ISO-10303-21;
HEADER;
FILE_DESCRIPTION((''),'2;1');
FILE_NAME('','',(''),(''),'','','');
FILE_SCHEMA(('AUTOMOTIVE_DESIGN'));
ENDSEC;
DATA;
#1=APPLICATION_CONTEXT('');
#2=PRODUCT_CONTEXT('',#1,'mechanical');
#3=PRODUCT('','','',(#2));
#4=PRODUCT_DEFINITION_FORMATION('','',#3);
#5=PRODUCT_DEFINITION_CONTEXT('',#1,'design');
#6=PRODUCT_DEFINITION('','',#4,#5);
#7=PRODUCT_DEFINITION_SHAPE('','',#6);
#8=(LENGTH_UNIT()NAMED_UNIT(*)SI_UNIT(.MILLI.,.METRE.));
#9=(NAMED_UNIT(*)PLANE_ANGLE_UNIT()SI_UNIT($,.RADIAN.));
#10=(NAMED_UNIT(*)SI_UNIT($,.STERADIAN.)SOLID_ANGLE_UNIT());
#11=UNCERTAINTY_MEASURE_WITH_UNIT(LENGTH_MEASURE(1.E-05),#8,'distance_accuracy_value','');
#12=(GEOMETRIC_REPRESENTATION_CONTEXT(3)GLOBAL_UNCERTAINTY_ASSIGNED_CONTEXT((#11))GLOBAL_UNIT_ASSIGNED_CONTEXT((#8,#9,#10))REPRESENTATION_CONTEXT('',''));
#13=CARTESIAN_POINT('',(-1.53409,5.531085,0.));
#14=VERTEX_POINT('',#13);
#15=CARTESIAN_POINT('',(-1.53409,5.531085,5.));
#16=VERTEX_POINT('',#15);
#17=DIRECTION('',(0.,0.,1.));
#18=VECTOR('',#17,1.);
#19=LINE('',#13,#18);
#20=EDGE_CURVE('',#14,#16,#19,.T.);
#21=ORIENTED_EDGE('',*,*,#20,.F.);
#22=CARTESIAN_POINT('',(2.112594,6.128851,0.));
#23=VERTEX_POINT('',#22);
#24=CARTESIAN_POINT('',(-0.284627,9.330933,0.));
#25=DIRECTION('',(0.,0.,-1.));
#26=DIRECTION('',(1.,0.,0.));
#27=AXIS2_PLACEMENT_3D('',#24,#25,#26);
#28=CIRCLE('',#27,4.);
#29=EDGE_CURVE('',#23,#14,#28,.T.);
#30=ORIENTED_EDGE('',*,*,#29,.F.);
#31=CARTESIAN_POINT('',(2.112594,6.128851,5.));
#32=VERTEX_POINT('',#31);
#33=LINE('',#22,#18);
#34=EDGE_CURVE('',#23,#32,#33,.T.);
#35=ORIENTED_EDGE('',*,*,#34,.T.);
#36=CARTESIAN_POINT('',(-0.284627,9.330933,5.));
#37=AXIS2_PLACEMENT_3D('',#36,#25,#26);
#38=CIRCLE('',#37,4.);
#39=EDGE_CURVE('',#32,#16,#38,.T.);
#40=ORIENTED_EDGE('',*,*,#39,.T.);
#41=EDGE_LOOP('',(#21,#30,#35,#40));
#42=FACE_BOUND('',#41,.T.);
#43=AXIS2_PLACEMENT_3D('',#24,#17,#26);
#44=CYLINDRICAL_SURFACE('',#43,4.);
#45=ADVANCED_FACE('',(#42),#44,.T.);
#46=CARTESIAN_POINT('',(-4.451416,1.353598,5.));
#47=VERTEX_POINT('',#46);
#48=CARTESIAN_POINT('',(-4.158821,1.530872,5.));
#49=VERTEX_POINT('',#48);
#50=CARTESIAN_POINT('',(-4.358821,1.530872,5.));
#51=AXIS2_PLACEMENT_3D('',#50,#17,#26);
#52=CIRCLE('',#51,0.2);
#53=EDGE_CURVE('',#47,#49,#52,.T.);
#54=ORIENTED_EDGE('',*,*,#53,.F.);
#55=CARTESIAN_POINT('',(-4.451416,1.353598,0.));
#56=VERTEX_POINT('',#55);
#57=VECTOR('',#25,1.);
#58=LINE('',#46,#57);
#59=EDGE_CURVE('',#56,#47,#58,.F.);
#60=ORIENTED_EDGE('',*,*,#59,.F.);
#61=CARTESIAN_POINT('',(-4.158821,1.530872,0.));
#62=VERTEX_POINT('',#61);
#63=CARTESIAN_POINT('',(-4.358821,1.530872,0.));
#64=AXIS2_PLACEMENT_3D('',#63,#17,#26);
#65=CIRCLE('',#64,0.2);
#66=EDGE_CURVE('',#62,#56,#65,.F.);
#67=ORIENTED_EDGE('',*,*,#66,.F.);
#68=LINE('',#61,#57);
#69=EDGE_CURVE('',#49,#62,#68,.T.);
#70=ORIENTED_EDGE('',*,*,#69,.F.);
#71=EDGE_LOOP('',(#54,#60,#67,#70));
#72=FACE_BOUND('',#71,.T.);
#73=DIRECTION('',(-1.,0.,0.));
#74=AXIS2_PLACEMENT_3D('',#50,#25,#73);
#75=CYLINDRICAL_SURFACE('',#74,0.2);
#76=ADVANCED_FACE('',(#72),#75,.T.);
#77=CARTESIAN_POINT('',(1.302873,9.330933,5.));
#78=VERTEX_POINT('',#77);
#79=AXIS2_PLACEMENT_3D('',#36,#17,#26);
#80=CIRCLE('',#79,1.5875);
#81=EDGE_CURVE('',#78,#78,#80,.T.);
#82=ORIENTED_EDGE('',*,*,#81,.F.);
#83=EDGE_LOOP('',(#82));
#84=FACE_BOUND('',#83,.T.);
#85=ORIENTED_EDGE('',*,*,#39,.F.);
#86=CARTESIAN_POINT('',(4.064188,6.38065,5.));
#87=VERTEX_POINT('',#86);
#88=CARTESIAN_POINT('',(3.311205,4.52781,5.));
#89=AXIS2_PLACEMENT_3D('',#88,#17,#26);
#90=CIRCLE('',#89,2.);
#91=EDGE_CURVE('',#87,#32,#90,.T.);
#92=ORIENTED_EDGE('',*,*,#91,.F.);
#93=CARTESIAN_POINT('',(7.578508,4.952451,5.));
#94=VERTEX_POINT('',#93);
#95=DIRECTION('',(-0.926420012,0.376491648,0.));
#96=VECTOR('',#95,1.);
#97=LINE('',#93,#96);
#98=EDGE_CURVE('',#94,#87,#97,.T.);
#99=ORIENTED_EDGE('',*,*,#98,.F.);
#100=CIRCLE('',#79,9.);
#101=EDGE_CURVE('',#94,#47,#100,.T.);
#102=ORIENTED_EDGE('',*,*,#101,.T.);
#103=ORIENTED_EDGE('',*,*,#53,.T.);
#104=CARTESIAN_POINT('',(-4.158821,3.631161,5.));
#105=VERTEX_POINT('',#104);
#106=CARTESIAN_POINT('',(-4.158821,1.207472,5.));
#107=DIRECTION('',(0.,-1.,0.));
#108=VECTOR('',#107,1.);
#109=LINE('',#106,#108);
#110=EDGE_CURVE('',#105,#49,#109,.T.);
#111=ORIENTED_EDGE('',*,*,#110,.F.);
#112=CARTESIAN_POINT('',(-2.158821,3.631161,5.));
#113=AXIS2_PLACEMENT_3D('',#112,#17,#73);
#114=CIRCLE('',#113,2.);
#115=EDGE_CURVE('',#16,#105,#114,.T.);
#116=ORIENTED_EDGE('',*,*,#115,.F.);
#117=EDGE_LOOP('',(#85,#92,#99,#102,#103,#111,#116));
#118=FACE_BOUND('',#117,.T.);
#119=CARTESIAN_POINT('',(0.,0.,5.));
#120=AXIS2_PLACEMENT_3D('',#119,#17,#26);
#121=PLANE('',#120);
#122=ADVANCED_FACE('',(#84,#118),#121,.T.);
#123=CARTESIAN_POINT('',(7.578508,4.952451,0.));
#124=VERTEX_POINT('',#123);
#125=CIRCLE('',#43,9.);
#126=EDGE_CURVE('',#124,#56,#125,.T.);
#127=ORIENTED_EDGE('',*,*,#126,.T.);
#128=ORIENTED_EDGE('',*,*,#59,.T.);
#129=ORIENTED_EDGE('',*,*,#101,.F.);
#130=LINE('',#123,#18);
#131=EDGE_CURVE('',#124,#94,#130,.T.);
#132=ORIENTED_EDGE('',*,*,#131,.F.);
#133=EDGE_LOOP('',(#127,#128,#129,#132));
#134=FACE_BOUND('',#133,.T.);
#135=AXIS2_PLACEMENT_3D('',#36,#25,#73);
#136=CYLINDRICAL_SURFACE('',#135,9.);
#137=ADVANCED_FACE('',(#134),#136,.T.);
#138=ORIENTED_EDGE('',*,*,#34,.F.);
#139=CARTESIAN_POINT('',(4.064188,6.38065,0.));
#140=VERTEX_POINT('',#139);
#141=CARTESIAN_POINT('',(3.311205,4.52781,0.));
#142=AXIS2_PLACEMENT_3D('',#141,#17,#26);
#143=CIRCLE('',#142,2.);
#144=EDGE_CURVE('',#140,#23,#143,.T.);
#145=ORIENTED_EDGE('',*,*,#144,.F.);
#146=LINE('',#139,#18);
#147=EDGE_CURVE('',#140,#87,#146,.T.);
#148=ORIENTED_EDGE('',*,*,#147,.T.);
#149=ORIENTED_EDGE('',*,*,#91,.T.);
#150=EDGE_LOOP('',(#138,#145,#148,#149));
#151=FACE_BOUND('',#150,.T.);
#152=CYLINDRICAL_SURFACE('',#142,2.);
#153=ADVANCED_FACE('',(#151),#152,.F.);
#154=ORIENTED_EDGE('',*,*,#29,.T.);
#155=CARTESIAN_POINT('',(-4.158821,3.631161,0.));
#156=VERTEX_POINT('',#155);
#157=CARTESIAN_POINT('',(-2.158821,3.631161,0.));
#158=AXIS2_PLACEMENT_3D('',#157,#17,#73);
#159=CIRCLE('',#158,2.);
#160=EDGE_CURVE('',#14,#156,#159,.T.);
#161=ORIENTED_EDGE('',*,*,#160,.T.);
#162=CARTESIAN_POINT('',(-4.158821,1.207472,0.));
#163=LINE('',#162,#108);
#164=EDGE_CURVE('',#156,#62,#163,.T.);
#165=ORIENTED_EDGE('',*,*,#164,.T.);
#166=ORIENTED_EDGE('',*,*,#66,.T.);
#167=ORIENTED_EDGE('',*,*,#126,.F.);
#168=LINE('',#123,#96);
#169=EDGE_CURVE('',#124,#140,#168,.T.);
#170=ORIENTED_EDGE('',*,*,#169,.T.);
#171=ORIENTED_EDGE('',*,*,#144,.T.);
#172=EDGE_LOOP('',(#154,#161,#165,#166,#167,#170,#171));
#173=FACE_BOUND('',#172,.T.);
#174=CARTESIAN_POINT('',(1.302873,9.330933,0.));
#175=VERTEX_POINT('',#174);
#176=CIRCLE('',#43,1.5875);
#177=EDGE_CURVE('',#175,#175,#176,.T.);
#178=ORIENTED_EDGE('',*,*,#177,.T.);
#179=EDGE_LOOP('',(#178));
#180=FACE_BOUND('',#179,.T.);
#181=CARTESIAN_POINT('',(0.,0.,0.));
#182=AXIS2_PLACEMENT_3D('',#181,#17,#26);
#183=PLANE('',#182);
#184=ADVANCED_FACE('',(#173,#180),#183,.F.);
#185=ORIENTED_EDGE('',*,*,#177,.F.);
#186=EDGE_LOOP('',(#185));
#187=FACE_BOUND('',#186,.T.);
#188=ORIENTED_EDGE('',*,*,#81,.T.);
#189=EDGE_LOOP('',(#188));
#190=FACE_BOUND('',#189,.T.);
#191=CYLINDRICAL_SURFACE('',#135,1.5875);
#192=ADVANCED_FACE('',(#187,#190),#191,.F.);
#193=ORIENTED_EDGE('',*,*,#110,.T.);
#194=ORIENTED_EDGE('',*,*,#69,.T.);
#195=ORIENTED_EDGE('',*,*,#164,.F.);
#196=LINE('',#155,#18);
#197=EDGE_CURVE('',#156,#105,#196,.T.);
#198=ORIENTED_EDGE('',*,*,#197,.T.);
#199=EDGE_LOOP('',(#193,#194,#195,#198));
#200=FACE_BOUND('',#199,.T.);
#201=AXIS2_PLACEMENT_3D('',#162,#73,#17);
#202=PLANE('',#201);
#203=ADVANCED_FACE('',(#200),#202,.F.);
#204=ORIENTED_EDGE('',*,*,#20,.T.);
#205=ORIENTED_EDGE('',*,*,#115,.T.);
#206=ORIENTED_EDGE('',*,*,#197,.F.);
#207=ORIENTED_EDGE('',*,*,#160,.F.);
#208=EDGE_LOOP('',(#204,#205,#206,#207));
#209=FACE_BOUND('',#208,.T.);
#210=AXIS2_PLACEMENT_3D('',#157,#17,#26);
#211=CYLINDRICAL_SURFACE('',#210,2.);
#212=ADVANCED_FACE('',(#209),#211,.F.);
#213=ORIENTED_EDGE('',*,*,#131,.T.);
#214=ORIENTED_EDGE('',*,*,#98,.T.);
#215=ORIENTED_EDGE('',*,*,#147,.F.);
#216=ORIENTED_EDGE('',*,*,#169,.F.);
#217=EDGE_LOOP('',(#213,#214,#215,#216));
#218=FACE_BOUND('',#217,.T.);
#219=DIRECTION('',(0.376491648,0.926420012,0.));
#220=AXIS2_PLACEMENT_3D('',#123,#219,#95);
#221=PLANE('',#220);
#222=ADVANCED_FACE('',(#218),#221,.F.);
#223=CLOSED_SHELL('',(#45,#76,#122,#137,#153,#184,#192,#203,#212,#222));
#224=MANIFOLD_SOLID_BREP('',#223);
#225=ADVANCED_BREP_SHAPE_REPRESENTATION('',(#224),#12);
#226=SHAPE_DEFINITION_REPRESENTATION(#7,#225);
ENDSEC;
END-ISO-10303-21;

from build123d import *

# Parameters (mm, degrees)
SKETCH2_R           = 9
SKETCH2_R_2         = 1.5875
BOSS_EXTRUDE2_DEPTH = 5
CUT_EXTRUDE1_DEPTH  = 6
FILLET1_R           = 0.2


with BuildPart() as part:
    # Sketch2 → Boss-Extrude2 (new body)
    with BuildSketch(Plane.XY):
        with Locations((-0.284627084, 9.330933041)):
            Circle(SKETCH2_R)
        with Locations((-0.284627084, 9.330933041)):
            Circle(SKETCH2_R_2, mode=Mode.SUBTRACT)
    extrude(amount=BOSS_EXTRUDE2_DEPTH)

    # Sketch3 → Cut-Extrude1 (cut, through all)
    with BuildSketch(Plane.XY.offset(5)):
        with BuildLine():
            Line((-4.158820782, 1.20747176), (-4.158820782, 3.631161293))
            ThreePointArc((-4.158820782, 3.631161293), (-3.331539319, 5.251263522), (-1.534089549, 5.531085209))
            ThreePointArc((-1.534089549, 5.531085209), (0.362418992, 5.383613523), (2.112594321, 6.128850978))
            ThreePointArc((2.112594321, 6.128850978), (3.05528193, 6.511368207), (4.064188319, 6.380649971))
            Line((4.064188319, 6.380649971), (7.578508136, 4.952451053))
            ThreePointArc((7.578508136, 4.952451053), (2.451086916, 0.756793497), (-4.158820782, 1.20747176))
        make_face()
    extrude(amount=-CUT_EXTRUDE1_DEPTH, mode=Mode.SUBTRACT)

    # Fillet1
    fillet1_edges = [part.edges().sort_by_distance(p)[0] for p in [
        (-4.158820782, 1.20747176, 2.5),
    ]]
    fillet(fillet1_edges, radius=FILLET1_R)


solid = part.part
